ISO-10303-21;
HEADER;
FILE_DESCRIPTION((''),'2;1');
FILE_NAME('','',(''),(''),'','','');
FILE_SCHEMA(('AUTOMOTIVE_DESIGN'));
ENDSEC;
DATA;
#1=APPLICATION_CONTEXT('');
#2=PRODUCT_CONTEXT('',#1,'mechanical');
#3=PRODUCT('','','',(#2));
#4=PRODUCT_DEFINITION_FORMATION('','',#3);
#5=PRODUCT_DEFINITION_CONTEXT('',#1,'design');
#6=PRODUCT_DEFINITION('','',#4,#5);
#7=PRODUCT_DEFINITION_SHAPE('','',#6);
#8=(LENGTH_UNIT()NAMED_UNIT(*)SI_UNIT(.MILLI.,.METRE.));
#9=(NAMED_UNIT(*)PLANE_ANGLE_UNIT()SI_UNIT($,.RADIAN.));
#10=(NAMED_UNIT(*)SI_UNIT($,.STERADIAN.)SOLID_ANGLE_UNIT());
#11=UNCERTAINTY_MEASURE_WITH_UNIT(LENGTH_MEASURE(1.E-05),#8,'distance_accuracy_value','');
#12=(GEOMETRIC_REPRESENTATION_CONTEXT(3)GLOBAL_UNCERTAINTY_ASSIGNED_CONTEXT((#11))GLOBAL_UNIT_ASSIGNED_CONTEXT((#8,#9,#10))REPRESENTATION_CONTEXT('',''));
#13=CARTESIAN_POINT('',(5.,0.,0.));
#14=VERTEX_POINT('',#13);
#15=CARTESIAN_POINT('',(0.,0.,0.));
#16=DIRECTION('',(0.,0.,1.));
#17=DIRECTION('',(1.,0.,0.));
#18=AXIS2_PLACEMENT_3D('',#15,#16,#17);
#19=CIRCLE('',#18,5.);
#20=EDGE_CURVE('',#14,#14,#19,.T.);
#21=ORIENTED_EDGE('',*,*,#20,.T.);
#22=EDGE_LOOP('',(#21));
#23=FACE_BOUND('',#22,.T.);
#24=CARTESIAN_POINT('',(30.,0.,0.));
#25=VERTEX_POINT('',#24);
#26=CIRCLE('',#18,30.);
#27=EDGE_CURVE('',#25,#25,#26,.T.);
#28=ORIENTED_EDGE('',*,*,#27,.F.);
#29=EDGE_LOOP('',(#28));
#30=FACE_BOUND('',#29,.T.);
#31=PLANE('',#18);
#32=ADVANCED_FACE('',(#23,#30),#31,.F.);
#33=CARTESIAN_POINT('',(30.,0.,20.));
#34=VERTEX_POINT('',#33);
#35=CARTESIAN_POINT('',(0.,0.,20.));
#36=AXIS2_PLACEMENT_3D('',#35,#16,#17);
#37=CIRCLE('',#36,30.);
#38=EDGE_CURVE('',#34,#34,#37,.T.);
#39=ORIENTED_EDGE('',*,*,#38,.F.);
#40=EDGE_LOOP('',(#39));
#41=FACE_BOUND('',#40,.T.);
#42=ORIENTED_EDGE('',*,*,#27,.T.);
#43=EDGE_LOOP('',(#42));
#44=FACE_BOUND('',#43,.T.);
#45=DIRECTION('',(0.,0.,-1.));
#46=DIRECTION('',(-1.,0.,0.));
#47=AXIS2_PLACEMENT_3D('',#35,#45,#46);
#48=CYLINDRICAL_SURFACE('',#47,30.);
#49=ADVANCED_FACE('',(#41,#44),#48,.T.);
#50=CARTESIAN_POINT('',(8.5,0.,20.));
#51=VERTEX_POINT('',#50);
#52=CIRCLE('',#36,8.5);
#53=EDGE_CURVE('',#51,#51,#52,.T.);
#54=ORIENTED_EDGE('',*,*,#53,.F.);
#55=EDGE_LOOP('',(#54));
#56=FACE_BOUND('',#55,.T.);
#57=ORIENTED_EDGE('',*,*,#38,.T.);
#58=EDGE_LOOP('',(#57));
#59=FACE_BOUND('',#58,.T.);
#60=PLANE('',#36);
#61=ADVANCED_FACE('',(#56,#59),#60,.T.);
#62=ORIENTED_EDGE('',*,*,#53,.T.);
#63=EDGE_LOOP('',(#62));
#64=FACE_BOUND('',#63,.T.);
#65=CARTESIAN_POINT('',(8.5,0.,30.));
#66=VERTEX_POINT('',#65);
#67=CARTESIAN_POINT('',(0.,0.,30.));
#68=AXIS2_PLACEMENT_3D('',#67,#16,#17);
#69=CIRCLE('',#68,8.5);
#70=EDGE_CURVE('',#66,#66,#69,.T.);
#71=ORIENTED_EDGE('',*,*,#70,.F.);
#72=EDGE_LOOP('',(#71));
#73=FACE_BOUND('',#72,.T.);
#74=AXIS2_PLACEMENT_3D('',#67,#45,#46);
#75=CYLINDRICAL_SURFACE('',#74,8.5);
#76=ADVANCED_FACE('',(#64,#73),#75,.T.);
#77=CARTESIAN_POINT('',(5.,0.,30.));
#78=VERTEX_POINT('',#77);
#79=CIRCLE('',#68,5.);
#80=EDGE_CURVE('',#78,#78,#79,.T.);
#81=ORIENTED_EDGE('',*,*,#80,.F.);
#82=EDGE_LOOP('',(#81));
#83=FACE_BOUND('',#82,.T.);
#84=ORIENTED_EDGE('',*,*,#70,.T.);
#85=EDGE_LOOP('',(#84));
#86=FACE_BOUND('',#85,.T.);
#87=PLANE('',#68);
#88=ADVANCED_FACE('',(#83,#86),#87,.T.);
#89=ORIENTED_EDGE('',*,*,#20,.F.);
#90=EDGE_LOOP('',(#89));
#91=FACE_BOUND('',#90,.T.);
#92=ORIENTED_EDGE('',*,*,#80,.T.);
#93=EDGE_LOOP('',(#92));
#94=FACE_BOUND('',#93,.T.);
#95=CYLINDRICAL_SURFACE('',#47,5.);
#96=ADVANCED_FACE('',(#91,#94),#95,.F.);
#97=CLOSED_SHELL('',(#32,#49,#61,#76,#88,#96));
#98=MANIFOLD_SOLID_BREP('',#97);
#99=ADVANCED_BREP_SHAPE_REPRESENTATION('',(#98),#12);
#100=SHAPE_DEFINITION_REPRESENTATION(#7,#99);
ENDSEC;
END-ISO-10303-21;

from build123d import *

# Parameters (mm, degrees)
SKETCH1_R          = 30
SKETCH1_R_2        = 5
PULLEYBODY_DEPTH   = 20
SKETCH2_R          = 8.5
SKETCH2_R_2        = 5
CONECTORSTUB_DEPTH = 10


with BuildPart() as part:
    # Sketch1 → PulleyBody (new body)
    with BuildSketch(Plane.XY):
        Circle(SKETCH1_R)
        Circle(SKETCH1_R_2, mode=Mode.SUBTRACT)
    extrude(amount=PULLEYBODY_DEPTH)

    # Sketch2 → ConectorStub (add)
    with BuildSketch(Plane.XY.offset(20)):
        Circle(SKETCH2_R)
        Circle(SKETCH2_R_2, mode=Mode.SUBTRACT)
    extrude(amount=CONECTORSTUB_DEPTH)


solid = part.part
